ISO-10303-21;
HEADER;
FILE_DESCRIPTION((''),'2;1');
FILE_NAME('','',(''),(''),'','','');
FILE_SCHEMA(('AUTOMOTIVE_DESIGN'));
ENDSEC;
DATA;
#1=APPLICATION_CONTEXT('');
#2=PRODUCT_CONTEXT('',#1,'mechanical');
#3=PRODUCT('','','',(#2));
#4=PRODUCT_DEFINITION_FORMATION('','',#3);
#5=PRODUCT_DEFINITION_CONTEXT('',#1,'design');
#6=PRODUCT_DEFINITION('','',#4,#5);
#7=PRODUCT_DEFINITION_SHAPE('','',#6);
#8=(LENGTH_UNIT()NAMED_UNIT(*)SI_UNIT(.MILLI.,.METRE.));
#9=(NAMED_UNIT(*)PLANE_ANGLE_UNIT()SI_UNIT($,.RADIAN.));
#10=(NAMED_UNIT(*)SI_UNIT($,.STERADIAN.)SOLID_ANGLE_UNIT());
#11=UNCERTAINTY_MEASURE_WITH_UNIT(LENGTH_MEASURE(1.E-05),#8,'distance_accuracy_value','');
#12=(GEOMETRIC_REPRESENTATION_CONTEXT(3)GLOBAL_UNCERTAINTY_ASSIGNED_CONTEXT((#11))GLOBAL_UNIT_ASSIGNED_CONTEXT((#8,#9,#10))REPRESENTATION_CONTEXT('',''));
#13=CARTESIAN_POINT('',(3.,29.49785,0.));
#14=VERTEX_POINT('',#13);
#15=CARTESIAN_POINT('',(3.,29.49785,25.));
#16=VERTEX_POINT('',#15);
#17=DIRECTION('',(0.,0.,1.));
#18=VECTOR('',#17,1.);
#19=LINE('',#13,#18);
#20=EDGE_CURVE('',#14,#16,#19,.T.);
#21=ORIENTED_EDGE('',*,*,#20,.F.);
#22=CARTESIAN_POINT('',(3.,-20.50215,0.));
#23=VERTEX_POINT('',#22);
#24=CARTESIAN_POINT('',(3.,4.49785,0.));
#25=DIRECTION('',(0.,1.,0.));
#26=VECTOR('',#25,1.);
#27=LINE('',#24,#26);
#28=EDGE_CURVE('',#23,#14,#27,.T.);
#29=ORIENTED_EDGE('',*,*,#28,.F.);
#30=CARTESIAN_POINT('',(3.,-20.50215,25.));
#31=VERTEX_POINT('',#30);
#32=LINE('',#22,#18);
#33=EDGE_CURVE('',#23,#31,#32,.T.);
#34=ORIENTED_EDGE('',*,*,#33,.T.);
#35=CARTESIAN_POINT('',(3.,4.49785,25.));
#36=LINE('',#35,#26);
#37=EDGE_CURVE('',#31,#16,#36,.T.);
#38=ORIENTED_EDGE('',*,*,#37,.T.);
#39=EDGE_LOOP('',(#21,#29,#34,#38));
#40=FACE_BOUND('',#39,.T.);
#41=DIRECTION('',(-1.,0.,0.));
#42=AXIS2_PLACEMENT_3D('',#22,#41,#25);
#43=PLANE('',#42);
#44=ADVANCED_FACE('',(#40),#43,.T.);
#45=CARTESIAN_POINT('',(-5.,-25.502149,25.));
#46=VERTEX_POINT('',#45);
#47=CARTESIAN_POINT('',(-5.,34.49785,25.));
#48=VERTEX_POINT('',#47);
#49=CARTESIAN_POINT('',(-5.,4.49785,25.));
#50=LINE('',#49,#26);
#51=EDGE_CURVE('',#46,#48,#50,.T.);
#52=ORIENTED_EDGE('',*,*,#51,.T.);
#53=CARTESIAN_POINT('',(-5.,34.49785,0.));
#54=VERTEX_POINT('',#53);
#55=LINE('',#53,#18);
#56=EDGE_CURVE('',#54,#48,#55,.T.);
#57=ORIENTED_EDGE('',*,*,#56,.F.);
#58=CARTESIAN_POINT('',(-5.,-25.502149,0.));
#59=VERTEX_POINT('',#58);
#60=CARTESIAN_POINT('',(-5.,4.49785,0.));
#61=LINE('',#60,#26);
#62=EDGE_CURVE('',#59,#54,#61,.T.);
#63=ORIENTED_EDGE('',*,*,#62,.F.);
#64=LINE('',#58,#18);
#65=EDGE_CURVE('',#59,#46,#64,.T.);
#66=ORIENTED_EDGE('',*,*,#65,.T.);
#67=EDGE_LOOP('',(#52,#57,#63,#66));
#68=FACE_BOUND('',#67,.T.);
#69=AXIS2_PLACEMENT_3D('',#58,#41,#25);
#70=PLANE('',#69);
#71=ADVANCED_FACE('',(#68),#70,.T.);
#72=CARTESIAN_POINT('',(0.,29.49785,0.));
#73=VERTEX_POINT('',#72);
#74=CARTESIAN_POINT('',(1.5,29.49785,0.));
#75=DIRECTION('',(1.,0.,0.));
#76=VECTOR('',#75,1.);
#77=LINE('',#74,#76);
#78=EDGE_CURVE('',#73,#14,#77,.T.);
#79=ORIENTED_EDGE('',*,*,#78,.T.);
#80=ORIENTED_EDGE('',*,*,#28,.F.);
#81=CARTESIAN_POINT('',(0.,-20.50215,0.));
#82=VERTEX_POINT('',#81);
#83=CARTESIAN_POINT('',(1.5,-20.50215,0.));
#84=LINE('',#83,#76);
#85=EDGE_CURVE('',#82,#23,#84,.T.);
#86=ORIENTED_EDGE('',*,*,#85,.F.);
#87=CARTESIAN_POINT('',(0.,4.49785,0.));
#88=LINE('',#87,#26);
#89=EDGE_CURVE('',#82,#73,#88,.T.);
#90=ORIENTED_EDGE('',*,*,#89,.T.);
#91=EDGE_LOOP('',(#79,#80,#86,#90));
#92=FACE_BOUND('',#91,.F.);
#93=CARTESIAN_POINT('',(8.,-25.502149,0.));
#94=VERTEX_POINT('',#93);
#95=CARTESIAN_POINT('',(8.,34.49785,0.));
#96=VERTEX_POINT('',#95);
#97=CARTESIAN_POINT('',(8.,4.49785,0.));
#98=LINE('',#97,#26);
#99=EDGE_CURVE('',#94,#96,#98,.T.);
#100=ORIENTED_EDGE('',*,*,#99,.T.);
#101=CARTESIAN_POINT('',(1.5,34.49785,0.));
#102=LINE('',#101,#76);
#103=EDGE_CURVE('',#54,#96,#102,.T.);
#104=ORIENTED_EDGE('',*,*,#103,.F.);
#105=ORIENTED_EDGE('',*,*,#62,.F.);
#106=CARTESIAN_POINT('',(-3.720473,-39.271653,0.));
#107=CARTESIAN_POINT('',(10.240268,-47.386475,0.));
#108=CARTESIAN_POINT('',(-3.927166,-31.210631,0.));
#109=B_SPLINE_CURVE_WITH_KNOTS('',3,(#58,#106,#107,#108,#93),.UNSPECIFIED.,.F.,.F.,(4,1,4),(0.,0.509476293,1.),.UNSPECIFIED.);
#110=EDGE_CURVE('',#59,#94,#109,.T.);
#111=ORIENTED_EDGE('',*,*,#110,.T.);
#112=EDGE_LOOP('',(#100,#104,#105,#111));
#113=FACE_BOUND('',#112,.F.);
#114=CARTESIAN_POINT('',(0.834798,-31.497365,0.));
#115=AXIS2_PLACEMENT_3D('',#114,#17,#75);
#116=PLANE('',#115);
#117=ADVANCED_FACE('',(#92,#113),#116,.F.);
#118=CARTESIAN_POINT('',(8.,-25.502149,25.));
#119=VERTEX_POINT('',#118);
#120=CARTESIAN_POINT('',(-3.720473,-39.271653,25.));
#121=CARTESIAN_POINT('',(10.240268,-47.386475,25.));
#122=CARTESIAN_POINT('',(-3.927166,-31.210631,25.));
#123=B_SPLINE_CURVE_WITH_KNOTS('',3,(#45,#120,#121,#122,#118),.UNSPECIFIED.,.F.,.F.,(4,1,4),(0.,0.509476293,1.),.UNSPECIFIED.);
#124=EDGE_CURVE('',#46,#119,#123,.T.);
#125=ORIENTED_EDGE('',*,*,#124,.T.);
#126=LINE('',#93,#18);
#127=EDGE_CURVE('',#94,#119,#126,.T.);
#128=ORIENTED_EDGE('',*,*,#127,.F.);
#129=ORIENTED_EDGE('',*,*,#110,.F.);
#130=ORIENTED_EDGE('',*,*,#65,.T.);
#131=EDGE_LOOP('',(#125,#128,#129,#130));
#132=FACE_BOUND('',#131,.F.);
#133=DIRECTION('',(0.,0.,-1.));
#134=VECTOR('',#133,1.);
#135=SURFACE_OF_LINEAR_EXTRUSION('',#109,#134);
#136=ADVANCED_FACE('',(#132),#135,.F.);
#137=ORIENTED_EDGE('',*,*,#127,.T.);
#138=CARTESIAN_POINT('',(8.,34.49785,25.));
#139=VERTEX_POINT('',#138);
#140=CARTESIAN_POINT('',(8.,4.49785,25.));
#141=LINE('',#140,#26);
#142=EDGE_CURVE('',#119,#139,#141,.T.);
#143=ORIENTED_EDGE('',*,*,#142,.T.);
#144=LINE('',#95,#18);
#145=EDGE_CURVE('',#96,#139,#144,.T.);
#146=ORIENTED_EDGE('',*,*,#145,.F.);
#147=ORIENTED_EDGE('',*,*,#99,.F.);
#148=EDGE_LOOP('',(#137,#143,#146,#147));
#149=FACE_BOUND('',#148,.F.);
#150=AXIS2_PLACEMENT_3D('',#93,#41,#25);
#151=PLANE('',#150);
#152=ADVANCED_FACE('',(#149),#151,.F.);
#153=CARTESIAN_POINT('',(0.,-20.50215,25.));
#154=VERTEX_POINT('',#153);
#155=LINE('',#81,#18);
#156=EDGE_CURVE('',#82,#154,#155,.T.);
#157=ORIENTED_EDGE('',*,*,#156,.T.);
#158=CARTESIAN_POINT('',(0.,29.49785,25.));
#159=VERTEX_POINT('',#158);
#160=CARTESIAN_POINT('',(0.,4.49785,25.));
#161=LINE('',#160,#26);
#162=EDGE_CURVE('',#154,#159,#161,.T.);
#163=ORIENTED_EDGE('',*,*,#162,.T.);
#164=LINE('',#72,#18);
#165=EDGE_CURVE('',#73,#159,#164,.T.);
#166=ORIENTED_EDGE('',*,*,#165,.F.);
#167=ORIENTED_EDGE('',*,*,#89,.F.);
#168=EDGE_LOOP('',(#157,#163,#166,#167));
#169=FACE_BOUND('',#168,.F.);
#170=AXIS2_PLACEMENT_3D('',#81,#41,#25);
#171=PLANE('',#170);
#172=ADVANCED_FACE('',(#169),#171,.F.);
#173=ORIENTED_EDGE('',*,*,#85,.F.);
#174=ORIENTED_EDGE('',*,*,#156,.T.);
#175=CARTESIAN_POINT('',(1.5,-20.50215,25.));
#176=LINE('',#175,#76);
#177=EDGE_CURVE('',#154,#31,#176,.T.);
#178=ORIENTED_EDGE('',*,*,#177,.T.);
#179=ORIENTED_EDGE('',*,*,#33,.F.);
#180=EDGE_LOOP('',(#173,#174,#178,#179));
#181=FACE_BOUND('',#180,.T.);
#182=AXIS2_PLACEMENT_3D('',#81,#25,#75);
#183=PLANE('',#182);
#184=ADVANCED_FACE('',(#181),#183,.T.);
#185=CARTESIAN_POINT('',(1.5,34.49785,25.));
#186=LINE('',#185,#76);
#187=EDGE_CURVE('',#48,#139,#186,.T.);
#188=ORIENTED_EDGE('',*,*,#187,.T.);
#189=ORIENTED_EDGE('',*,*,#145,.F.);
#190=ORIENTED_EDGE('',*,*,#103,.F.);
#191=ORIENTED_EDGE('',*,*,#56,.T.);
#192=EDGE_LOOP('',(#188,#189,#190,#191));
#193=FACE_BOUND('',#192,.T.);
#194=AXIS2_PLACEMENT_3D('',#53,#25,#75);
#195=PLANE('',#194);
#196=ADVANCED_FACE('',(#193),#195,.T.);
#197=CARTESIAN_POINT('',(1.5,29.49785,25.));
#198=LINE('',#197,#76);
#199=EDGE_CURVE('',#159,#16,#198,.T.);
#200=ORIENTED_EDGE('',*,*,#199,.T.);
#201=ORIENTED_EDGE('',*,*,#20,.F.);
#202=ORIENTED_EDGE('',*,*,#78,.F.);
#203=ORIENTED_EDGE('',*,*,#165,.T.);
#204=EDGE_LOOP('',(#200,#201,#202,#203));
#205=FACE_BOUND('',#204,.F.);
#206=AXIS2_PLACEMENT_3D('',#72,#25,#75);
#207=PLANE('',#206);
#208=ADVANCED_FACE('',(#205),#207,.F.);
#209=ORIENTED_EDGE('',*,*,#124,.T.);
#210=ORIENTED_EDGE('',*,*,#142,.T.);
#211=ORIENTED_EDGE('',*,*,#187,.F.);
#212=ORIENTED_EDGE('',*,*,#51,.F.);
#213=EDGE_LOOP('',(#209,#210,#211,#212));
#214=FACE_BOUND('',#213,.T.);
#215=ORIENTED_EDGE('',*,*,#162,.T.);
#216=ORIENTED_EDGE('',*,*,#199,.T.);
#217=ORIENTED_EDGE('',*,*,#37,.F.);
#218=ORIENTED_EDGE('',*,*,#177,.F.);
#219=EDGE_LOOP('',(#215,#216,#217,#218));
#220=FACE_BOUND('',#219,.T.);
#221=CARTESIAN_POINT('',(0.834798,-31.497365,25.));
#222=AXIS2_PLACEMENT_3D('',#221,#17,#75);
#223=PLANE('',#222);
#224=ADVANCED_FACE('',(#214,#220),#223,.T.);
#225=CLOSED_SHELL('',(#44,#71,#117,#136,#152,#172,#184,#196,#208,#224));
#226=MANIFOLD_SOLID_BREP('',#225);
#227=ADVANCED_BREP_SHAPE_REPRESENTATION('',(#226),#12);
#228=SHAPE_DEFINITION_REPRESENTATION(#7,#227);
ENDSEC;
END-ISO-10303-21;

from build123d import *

# Parameters (mm, degrees)
F0_W     = 12.999999404
F0_H     = 59.999999404
F0_W_2   = 3
F0_H_2   = 50
F1_DEPTH = 25


with BuildPart() as f1:
    # F0 (on Top) → F1 (new body)
    with BuildSketch(Plane.XY):
        with BuildLine():
            Line((7.999999702, -25.5021493811), (-4.999999702, -25.5021493811))
            add(Edge.make_bspline(
                [(-4.999999702, -25.5021493811), (-3.7204727996, -39.2716526985), (10.240268168, -47.3864745277), (-3.9271656424, -31.2106311321), (7.999999702, -25.5021493811)],
                knots=[0, 0, 0, 0, 0.5094762931, 1, 1, 1, 1], degree=3))
        make_face()
        with Locations((1.5, 4.4978503209)):
            Rectangle(F0_W, F0_H)
        with Locations((1.5, 4.4978503209)):
            Rectangle(F0_W_2, F0_H_2, mode=Mode.SUBTRACT)
    extrude(amount=F1_DEPTH)


solid = f1.part
